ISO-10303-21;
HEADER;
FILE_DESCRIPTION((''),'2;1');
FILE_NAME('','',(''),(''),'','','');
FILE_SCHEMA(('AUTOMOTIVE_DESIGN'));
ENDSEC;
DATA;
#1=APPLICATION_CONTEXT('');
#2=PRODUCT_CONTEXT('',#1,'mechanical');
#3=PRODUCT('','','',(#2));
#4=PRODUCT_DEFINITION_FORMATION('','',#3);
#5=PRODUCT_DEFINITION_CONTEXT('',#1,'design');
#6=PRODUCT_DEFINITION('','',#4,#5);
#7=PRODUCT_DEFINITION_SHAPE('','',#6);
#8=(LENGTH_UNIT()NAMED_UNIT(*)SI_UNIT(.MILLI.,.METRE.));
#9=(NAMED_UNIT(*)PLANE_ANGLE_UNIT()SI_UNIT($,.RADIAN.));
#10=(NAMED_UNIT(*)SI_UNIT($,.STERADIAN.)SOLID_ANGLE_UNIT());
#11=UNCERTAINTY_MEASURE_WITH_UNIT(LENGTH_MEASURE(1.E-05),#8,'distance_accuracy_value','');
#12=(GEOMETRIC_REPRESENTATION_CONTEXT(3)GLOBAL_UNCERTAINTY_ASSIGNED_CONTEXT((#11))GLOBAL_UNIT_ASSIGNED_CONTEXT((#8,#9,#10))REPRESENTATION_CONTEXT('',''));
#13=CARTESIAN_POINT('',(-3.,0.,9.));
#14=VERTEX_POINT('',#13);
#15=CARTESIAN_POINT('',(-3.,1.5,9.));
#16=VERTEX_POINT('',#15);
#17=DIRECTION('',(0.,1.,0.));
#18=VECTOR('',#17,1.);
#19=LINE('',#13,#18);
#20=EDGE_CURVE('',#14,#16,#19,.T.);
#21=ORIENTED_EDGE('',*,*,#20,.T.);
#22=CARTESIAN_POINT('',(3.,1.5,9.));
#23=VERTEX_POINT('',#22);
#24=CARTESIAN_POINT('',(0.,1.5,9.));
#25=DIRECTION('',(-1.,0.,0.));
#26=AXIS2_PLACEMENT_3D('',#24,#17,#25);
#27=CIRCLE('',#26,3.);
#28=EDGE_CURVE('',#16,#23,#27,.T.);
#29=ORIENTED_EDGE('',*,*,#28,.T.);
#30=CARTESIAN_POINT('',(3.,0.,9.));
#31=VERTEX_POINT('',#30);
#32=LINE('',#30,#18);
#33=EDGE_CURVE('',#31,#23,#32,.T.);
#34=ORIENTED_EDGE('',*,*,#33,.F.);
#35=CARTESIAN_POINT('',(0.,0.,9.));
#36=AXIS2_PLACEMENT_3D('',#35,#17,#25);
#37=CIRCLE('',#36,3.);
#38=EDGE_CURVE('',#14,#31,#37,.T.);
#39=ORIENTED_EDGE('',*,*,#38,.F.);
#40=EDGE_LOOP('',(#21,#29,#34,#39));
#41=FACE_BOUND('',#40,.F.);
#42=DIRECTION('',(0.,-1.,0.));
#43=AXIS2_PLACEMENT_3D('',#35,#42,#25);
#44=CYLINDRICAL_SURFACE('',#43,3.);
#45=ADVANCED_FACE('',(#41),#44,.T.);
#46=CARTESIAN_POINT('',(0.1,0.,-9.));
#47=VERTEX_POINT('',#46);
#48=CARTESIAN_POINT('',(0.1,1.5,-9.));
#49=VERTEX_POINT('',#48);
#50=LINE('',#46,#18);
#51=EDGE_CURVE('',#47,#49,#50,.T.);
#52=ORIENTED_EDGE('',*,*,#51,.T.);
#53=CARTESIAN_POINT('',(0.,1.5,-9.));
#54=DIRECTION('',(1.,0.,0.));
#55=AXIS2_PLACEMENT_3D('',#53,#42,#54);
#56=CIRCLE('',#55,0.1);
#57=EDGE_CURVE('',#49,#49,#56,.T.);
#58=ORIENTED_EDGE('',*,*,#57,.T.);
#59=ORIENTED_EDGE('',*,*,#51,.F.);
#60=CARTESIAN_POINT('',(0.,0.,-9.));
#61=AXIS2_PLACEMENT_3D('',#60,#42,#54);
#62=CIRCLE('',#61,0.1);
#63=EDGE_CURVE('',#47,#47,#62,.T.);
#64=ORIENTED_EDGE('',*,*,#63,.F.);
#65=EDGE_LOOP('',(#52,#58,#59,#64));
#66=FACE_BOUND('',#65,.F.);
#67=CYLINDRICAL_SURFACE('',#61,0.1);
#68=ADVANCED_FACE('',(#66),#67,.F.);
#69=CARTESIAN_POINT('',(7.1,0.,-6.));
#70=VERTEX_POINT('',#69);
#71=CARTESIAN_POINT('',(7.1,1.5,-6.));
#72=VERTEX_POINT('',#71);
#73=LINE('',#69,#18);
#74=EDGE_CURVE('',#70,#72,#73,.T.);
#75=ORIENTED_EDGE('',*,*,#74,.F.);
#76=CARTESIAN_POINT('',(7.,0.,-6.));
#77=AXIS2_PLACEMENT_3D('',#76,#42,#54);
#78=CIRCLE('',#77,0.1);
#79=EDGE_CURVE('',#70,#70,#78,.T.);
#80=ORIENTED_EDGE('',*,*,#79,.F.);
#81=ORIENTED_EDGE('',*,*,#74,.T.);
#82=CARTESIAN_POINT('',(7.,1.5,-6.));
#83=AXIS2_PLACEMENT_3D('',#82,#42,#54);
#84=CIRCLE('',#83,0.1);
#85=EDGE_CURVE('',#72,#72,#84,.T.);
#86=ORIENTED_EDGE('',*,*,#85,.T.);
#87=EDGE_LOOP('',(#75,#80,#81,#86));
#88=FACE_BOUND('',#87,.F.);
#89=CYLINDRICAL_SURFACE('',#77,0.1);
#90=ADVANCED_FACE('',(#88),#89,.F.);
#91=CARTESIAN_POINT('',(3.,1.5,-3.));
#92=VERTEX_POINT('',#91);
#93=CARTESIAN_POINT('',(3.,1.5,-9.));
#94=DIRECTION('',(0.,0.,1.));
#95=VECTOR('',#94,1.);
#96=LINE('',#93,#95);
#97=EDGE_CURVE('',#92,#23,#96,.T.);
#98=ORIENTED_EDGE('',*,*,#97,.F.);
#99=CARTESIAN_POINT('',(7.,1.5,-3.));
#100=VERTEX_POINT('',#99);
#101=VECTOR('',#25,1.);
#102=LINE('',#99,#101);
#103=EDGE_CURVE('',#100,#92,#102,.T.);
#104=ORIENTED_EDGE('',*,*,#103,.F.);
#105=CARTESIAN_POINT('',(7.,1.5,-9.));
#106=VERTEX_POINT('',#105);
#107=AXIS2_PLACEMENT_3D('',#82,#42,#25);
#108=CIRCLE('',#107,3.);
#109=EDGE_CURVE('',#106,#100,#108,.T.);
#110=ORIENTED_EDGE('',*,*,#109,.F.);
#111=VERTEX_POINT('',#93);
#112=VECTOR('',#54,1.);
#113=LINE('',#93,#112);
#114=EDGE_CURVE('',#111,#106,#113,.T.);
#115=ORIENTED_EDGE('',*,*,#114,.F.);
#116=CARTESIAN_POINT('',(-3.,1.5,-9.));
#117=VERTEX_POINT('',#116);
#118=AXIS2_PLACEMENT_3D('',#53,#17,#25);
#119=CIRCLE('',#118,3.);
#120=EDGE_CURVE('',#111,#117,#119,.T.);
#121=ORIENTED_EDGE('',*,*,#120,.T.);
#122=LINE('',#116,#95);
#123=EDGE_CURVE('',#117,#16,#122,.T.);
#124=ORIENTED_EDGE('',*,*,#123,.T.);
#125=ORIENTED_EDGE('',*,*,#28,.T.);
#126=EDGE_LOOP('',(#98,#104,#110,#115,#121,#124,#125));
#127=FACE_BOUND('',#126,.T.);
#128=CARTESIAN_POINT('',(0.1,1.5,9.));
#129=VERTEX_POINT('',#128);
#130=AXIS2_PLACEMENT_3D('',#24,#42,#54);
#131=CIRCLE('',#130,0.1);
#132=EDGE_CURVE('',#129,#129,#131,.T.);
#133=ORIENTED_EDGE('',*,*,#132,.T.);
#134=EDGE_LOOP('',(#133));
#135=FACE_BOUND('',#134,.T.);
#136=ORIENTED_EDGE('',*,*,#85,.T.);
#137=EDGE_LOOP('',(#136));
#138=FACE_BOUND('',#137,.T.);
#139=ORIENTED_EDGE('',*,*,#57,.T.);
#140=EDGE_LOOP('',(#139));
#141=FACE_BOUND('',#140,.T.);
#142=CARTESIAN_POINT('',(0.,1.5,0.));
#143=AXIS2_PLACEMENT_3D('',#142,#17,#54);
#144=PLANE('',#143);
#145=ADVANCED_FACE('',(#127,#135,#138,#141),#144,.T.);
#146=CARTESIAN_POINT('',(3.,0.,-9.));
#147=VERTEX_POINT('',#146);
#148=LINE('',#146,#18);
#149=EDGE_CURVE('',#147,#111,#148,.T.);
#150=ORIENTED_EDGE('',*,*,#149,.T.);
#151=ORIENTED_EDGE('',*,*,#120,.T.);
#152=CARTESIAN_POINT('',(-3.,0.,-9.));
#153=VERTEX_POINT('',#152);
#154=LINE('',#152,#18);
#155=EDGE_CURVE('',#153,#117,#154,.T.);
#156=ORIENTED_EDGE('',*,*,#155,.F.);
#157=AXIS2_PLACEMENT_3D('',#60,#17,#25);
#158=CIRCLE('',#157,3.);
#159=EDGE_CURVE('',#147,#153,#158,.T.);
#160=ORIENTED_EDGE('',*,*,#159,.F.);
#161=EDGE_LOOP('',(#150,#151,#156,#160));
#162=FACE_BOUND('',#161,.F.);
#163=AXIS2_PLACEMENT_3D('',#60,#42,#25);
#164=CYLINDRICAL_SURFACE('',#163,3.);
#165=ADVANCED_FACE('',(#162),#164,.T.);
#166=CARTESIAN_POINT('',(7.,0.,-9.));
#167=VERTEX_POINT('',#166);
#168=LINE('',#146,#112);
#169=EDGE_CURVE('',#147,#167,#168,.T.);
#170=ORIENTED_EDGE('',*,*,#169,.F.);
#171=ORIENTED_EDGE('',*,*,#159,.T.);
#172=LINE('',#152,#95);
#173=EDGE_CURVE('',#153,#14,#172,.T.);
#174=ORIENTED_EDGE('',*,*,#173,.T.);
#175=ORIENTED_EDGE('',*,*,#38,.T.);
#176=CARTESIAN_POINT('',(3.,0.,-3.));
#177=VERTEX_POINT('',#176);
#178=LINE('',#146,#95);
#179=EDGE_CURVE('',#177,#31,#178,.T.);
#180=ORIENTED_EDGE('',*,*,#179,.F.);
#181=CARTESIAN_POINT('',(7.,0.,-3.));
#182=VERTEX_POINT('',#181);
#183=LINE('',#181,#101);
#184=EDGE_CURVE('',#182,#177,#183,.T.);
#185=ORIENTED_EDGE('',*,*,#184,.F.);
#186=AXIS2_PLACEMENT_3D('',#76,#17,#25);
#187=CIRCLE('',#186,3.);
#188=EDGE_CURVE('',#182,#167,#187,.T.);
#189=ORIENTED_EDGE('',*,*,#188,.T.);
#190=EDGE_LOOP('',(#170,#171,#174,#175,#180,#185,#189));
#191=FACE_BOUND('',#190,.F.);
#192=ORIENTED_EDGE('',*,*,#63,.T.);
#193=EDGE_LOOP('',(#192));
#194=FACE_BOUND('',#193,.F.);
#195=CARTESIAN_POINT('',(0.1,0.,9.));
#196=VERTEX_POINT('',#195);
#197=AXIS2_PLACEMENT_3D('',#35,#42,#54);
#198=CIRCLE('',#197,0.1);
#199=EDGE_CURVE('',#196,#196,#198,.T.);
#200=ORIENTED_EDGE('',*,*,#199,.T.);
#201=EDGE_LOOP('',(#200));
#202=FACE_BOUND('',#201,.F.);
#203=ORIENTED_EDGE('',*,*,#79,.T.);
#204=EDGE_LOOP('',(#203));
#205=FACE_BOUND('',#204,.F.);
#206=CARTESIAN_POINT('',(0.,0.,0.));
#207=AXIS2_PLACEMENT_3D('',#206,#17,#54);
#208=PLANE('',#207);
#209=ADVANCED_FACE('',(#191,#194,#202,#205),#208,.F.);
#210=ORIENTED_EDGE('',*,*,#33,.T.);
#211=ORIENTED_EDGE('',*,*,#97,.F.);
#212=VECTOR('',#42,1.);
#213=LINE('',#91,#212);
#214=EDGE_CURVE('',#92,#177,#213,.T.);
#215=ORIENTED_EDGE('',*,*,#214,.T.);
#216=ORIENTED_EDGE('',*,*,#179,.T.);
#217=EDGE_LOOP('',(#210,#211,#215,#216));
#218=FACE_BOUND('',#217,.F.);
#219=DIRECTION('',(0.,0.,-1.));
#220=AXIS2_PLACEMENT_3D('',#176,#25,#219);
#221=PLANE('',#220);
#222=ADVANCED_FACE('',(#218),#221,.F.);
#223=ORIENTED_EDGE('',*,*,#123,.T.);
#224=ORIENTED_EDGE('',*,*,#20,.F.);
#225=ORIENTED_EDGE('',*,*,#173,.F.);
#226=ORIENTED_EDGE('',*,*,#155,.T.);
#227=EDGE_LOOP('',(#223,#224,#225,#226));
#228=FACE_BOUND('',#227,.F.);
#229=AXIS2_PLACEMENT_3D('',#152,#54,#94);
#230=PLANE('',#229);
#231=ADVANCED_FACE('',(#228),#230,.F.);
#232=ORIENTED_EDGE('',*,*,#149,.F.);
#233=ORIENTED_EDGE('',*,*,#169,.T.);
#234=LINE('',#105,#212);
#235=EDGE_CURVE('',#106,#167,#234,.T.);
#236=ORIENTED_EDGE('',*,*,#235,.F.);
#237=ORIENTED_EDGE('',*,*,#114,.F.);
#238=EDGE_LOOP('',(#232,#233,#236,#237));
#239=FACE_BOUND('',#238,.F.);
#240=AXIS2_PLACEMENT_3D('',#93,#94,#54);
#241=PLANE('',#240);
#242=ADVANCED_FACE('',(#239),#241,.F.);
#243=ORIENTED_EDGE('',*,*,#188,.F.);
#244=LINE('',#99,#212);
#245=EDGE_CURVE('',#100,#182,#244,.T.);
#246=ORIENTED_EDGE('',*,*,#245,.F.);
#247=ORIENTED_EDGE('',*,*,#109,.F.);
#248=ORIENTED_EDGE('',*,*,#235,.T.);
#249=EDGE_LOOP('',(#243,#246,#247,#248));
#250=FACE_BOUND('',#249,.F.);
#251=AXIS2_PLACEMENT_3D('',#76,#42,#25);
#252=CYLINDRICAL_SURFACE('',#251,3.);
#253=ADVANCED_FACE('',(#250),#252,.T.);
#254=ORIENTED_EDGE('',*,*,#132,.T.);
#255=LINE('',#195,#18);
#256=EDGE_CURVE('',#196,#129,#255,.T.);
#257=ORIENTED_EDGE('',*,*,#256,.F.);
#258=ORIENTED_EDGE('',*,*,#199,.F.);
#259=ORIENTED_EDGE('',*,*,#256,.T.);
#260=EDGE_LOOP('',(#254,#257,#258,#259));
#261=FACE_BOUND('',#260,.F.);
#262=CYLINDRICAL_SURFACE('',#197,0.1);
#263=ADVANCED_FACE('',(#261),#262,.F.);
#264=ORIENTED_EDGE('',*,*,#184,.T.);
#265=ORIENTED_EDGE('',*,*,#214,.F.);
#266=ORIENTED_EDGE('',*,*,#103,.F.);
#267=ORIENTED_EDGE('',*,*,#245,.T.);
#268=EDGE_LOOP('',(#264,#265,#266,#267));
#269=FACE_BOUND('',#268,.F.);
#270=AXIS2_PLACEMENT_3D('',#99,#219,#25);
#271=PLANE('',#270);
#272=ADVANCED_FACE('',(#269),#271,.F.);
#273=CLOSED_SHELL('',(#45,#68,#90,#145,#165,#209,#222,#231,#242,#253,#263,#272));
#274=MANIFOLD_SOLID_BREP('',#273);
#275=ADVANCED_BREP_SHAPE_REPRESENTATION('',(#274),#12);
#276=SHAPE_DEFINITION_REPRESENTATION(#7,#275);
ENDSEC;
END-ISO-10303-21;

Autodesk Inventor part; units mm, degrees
ref_plane "YZ Plane" through (0, 0, 0) normal (1, 0, 0) x (0, 1, 0)
ref_plane "XZ Plane" through (0, 0, 0) normal (0, 1, 0) x (-1, 0, 0)
ref_plane "XY Plane" through (0, 0, 0) normal (0, 0, 1) x (1, 0, 0)
sketch "Sketch1" plane through (0, 0, 0) normal (0, 1, 0) x (-1, 0, 0)
  line L0 (3, 9) -> (-3, 9)
  line L1 (-3, 9) -> (-3, -9)
  line L2 (-3, -9) -> (3, -9)
  line L3 (3, -9) -> (3, 9)
  line L4 (3, 9) -> (-3, -9) construction
  line L5 (-3, 9) -> (3, -9) construction
  circle A0 centre (0, 9) radius 3
  circle A1 centre (0, -9) radius 3
  line L6 (-3, -9) -> (-7, -9)
  line L7 (-7, -9) -> (-7, -5)
  line L8 (-7, -5) -> (-7, -3)
  line L9 (-7, -3) -> (-3, -3)
  line L10 (-7, -3) -> (-7, -6)
  circle A2 centre (-7, -6) radius 3
  line L11 (-3, -3) -> (-3, -9)
  point P0 (0, 0)
  dimension "d0" = 6
  dimension "d1" = 18
  dimension "d2" = 6
  dimension "d4" = 6
  dimension "d5" = 4
  dimension "d6" = 4
  dimension "d7" = 2
  dimension "d10" = 3
  dimension "d11" = 6
extrude "Extrusion1" add sketch "Sketch1" along normal blind 1.5 contours A0 L0 | L0 A0 | L3 A1 L1 A0 | A1 L2 | L2 A1 | A2 L7 L8 | L8 L7 A2
sketch "Sketch2" plane through (0, 1.5, 0) normal (0, 1, 0) x (1, 0, 0)
  line L0 (3, -9) -> (3, 9) projected
  arc A0 (3, 9) -> (-3, 9) centre (0, 9) ccw projected
  line L1 (-3, 9) -> (-3, -9) projected
  arc A1 (-3, -9) -> (3, -9) centre (0, -9) ccw projected
  circle A2 centre (0, 9) radius 1.5
  circle A3 centre (0, -9) radius 1.5
  line L2 (3, 9) -> (7, 9)
  line L3 (7, 9) -> (7, 3)
  line L4 (7, 3) -> (3, 3)
  line L5 (3, 3) -> (3, 9)
  point P0 (0, 0)
  dimension "d14" = 3
  dimension "d15" = 3
  dimension "d16" = 4
  dimension "d17" = 6
extrude "Extrusion2" cut sketch "Sketch2" against normal blind 1.5 contours L0 L2 L3 L4 | A2 | A3
sketch "Sketch3" plane through (0, 1.5, 0) normal (0, 1, 0) x (1, 0, 0)
  line L0 (3, -9) -> (3, 9) projected
  arc A0 (3, 9) -> (-3, 9) centre (0, 9) ccw projected
  line L1 (-3, 9) -> (-3, -9) projected
  line L2 (3, 9) -> (7, 9)
  line L3 (7, 9) -> (7, 3)
  line L4 (7, 3) -> (3, 3)
  line L5 (3, 3) -> (3, 9)
  point P0 (0, 0)
  dimension "d20" = 4
  dimension "d21" = 6
  dimension "d22" = 4
extrude "Extrusion3" add sketch "Sketch3" against normal blind 1.5
sketch "Sketch4" plane through (0, 1.5, 0) normal (0, 1, 0) x (1, 0, 0)
  arc A0 (7, 3) -> (7, 9) centre (7, 6) ccw projected
  circle A1 centre (7, 6) radius 1.5
  point P0 (0, 0)
  dimension "d25" = 3
extrude "Extrusion4" cut sketch "Sketch4" against normal blind 1.5
sketch "Sketch5" plane through (0, 0, 0) normal (0, -1, 0) x (1, 0, 0)
  circle A0 centre (7, -6) radius 1.5 projected
  circle A1 centre (0, 9) radius 1.5 projected
  circle A2 centre (0, -9) radius 1.5 projected
  arc A3 (7, -9) -> (7, -3) centre (7, -6) ccw projected
  arc A4 (3, 9) -> (-3, 9) centre (0, 9) ccw projected
  arc A5 (-3, -9) -> (3, -9) centre (0, -9) ccw projected
  circle A6 centre (0, 9) radius 0.1
  circle A7 centre (0, -9) radius 0.1
  circle A8 centre (7, -6) radius 0.1
  point P0 (0, 0)
  dimension "d28" = 0.2
  dimension "d29" = 0.2
  dimension "d30" = 0.2
extrude "Extrusion5" add sketch "Sketch5" against normal blind 1.5
properties part number "tahlo3_sablona"
